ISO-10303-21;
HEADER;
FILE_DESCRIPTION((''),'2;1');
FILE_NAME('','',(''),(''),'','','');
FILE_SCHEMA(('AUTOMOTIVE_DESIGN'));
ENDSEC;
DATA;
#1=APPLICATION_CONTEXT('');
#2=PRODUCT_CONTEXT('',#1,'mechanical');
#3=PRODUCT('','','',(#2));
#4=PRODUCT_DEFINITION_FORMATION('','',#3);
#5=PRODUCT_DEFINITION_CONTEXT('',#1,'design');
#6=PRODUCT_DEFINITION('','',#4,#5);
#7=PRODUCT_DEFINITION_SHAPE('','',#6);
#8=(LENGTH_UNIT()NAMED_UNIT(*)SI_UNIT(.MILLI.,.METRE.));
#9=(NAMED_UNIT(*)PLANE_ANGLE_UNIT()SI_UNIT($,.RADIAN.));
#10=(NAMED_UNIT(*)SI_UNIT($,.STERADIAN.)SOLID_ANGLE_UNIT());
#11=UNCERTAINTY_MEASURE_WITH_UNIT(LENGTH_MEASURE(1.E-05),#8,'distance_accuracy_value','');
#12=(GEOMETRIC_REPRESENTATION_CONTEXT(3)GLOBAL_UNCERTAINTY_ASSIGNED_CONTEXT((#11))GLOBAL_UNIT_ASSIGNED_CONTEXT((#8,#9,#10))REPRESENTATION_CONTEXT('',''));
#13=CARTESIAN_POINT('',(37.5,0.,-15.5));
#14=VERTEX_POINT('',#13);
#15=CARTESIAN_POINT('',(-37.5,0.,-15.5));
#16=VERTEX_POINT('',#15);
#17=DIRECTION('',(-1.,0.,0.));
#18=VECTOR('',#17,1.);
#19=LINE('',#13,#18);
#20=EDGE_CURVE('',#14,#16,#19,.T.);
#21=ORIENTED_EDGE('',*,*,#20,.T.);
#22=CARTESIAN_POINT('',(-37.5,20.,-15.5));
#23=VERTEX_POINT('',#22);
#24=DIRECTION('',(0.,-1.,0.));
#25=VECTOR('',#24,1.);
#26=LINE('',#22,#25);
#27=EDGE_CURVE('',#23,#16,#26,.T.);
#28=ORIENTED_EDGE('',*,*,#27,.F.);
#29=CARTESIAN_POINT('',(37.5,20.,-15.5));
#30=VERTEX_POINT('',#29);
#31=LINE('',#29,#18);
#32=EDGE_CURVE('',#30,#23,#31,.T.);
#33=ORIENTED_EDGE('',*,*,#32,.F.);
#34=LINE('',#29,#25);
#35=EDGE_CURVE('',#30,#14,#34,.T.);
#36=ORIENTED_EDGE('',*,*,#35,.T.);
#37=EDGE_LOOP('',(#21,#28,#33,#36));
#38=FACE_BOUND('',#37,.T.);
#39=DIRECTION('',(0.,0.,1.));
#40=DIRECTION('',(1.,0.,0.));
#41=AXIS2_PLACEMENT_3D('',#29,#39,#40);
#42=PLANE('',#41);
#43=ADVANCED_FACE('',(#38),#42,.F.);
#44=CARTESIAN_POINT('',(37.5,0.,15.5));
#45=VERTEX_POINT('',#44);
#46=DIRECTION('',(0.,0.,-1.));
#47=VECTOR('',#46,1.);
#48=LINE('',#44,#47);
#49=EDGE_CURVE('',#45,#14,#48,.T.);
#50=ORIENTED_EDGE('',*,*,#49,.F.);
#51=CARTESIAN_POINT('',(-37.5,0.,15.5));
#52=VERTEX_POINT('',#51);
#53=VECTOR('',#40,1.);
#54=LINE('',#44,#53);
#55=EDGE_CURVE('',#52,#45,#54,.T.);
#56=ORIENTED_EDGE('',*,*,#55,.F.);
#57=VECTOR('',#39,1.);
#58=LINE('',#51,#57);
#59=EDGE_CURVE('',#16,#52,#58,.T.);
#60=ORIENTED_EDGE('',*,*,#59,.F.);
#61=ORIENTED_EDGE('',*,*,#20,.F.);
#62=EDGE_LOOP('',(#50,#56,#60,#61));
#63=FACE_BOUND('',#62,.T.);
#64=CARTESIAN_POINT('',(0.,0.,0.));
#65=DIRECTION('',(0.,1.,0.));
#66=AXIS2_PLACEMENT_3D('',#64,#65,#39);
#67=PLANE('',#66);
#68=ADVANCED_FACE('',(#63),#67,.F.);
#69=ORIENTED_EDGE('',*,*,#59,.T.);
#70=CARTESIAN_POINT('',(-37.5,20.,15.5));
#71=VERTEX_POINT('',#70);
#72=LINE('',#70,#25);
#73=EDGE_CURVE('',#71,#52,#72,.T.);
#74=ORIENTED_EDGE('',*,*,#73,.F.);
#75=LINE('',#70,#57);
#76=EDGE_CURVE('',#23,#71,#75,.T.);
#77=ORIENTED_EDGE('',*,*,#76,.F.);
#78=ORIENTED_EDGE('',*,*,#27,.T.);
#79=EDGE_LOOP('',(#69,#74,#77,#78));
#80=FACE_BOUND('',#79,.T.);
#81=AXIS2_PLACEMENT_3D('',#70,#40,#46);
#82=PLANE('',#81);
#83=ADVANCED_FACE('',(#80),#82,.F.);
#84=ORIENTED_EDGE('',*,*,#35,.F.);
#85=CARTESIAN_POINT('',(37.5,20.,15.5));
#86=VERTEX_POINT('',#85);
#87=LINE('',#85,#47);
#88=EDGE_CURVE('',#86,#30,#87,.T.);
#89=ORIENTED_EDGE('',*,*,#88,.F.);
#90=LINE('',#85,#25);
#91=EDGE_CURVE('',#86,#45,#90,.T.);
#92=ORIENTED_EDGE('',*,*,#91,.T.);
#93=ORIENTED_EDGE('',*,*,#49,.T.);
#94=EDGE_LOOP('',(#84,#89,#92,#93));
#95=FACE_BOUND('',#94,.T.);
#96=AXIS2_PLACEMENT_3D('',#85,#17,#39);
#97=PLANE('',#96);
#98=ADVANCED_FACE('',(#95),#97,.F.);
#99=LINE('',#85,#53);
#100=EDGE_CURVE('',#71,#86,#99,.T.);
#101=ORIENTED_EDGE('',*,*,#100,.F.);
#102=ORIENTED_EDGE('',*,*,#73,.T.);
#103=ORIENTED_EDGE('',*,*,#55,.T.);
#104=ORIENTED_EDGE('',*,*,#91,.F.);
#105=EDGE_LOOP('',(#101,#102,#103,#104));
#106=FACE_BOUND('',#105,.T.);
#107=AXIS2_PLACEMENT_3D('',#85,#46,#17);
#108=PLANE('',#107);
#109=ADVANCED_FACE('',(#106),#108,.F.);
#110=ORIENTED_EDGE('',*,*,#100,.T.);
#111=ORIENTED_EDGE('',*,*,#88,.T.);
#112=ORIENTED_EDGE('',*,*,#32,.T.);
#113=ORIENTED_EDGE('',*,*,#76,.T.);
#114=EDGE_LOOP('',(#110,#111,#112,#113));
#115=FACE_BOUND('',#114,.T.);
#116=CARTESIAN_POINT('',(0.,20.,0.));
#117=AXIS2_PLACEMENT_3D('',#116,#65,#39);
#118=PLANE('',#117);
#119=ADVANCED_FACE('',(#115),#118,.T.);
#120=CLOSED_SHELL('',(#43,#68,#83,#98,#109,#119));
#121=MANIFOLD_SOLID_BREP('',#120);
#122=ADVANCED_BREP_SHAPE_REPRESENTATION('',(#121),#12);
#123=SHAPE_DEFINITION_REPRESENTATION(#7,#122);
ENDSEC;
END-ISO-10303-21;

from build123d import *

# Parameters (mm, degrees)
CROQUIS1_W              = 75
CROQUIS1_H              = 31
SALIENTE_EXTRUIR1_DEPTH = 20


with BuildPart() as part:
    # Croquis1 → Saliente-Extruir1 (new body)
    with BuildSketch(Plane(origin=(0, 0, 0), x_dir=(1, 0, 0), z_dir=(0, 1, 0))):
        Rectangle(CROQUIS1_W, CROQUIS1_H)
    extrude(amount=SALIENTE_EXTRUIR1_DEPTH)


solid = part.part
